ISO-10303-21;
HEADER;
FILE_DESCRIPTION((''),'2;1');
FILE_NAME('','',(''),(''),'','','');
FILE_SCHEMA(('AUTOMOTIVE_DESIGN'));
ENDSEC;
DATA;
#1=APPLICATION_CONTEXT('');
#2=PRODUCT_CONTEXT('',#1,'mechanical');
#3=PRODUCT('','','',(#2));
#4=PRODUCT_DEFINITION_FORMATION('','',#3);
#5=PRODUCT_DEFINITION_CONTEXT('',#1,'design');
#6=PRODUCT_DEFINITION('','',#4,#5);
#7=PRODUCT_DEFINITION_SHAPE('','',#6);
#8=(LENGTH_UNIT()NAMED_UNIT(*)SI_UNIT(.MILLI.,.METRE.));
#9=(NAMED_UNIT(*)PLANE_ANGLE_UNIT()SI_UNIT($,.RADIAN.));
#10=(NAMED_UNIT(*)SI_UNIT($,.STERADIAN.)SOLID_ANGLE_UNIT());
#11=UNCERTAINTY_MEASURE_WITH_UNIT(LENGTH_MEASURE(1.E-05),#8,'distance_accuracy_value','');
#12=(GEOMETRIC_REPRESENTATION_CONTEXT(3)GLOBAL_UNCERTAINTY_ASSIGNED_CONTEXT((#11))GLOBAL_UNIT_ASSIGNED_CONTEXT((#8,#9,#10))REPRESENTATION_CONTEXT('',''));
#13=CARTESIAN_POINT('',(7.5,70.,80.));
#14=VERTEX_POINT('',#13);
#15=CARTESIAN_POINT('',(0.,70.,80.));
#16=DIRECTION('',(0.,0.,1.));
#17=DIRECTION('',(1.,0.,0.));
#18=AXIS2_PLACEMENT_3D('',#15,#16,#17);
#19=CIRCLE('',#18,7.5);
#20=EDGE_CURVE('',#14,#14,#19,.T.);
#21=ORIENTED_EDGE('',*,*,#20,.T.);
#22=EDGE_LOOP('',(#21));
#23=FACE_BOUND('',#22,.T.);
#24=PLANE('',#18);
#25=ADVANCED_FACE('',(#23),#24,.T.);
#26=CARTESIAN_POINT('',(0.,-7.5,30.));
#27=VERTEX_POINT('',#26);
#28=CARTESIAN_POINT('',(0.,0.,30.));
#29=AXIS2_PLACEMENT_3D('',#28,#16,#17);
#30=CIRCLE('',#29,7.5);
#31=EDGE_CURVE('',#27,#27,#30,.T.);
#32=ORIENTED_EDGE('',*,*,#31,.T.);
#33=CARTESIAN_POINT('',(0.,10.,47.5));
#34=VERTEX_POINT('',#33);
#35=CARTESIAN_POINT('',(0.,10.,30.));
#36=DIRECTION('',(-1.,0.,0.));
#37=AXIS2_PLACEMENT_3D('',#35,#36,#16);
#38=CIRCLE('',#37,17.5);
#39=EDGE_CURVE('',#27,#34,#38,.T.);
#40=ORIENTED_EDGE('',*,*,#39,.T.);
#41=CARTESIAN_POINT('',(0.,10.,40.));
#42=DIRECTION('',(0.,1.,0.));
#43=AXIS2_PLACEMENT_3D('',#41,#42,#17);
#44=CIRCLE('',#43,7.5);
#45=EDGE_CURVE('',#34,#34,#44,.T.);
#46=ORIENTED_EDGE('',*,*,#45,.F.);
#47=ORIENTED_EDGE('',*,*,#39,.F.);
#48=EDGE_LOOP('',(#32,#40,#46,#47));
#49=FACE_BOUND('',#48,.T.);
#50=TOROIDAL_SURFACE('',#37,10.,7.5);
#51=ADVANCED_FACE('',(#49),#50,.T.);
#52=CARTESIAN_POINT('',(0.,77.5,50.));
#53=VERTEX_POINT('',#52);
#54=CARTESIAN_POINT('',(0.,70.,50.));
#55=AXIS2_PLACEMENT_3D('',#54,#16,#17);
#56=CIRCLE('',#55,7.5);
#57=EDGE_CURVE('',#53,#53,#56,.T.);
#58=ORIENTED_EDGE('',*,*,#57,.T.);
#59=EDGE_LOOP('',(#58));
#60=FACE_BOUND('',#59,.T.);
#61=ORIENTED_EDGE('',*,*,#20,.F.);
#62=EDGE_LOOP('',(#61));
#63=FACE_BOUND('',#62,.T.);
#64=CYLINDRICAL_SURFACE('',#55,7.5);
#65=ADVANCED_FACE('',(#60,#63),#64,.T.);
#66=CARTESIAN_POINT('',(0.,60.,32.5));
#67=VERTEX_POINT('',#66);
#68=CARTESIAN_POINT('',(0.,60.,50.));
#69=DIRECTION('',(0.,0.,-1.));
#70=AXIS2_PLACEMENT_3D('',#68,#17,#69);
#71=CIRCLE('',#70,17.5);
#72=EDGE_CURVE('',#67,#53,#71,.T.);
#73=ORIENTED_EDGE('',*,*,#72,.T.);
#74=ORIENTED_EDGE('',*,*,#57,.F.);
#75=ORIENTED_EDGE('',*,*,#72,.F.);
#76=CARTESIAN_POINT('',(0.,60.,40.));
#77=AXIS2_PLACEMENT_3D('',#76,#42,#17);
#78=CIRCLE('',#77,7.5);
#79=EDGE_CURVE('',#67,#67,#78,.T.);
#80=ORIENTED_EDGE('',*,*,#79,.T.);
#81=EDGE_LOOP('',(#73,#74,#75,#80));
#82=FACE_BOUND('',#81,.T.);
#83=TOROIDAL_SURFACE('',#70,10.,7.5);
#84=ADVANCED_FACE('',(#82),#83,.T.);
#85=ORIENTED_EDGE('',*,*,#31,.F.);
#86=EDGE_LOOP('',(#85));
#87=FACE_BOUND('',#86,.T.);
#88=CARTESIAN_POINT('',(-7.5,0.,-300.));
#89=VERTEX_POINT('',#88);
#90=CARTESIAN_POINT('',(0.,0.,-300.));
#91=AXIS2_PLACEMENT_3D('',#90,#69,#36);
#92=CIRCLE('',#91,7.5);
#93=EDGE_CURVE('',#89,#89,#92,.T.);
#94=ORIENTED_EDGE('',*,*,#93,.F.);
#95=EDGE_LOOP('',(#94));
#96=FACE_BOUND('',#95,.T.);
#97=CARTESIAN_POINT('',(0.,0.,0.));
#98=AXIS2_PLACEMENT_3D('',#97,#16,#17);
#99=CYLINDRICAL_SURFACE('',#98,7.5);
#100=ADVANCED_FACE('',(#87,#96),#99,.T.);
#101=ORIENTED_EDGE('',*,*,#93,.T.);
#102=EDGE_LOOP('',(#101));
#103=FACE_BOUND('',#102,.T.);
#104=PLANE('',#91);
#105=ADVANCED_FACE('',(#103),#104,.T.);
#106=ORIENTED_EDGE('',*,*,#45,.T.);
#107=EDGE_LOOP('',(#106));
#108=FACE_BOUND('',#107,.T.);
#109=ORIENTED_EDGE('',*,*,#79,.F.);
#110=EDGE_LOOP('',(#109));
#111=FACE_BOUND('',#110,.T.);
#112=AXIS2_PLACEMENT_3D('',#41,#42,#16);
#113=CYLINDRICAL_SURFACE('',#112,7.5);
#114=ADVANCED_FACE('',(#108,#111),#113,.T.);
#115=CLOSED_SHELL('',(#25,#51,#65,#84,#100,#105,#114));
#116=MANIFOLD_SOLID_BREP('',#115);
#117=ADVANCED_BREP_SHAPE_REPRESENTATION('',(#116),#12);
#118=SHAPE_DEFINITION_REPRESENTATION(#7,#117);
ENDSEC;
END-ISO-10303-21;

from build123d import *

# Parameters (mm, degrees)
CROQUIS1_R              = 7.5
CROQUIS2_R              = 7.5
SALIENTE_EXTRUIR1_DEPTH = 300


with BuildPart() as part:
    # Barrer1: sweep along a curve in space
    with BuildLine() as barrer1_path:
        Line((0, 0, 0), (0, 0, 30))
        ThreePointArc((0, 0, 30), (0, 2.928932188, 37.071067812), (0, 10, 40))
        Line((0, 10, 40), (0, 60, 40))
        ThreePointArc((0, 60, 40), (0, 67.071067812, 42.928932188), (0, 70, 50))
        Line((0, 70, 50), (0, 70, 80))
    # Croquis1 → Barrer1 (sweep)
    with BuildSketch(Plane.XY):
        Circle(CROQUIS1_R)
    sweep(path=barrer1_path.line)

    # Croquis2 → Saliente-Extruir1 (add)
    with BuildSketch(Plane(origin=(0, 0, 0), x_dir=(-1, 0, 0), z_dir=(0, 0, -1))):
        Circle(CROQUIS2_R)
    extrude(amount=SALIENTE_EXTRUIR1_DEPTH)


solid = part.part
